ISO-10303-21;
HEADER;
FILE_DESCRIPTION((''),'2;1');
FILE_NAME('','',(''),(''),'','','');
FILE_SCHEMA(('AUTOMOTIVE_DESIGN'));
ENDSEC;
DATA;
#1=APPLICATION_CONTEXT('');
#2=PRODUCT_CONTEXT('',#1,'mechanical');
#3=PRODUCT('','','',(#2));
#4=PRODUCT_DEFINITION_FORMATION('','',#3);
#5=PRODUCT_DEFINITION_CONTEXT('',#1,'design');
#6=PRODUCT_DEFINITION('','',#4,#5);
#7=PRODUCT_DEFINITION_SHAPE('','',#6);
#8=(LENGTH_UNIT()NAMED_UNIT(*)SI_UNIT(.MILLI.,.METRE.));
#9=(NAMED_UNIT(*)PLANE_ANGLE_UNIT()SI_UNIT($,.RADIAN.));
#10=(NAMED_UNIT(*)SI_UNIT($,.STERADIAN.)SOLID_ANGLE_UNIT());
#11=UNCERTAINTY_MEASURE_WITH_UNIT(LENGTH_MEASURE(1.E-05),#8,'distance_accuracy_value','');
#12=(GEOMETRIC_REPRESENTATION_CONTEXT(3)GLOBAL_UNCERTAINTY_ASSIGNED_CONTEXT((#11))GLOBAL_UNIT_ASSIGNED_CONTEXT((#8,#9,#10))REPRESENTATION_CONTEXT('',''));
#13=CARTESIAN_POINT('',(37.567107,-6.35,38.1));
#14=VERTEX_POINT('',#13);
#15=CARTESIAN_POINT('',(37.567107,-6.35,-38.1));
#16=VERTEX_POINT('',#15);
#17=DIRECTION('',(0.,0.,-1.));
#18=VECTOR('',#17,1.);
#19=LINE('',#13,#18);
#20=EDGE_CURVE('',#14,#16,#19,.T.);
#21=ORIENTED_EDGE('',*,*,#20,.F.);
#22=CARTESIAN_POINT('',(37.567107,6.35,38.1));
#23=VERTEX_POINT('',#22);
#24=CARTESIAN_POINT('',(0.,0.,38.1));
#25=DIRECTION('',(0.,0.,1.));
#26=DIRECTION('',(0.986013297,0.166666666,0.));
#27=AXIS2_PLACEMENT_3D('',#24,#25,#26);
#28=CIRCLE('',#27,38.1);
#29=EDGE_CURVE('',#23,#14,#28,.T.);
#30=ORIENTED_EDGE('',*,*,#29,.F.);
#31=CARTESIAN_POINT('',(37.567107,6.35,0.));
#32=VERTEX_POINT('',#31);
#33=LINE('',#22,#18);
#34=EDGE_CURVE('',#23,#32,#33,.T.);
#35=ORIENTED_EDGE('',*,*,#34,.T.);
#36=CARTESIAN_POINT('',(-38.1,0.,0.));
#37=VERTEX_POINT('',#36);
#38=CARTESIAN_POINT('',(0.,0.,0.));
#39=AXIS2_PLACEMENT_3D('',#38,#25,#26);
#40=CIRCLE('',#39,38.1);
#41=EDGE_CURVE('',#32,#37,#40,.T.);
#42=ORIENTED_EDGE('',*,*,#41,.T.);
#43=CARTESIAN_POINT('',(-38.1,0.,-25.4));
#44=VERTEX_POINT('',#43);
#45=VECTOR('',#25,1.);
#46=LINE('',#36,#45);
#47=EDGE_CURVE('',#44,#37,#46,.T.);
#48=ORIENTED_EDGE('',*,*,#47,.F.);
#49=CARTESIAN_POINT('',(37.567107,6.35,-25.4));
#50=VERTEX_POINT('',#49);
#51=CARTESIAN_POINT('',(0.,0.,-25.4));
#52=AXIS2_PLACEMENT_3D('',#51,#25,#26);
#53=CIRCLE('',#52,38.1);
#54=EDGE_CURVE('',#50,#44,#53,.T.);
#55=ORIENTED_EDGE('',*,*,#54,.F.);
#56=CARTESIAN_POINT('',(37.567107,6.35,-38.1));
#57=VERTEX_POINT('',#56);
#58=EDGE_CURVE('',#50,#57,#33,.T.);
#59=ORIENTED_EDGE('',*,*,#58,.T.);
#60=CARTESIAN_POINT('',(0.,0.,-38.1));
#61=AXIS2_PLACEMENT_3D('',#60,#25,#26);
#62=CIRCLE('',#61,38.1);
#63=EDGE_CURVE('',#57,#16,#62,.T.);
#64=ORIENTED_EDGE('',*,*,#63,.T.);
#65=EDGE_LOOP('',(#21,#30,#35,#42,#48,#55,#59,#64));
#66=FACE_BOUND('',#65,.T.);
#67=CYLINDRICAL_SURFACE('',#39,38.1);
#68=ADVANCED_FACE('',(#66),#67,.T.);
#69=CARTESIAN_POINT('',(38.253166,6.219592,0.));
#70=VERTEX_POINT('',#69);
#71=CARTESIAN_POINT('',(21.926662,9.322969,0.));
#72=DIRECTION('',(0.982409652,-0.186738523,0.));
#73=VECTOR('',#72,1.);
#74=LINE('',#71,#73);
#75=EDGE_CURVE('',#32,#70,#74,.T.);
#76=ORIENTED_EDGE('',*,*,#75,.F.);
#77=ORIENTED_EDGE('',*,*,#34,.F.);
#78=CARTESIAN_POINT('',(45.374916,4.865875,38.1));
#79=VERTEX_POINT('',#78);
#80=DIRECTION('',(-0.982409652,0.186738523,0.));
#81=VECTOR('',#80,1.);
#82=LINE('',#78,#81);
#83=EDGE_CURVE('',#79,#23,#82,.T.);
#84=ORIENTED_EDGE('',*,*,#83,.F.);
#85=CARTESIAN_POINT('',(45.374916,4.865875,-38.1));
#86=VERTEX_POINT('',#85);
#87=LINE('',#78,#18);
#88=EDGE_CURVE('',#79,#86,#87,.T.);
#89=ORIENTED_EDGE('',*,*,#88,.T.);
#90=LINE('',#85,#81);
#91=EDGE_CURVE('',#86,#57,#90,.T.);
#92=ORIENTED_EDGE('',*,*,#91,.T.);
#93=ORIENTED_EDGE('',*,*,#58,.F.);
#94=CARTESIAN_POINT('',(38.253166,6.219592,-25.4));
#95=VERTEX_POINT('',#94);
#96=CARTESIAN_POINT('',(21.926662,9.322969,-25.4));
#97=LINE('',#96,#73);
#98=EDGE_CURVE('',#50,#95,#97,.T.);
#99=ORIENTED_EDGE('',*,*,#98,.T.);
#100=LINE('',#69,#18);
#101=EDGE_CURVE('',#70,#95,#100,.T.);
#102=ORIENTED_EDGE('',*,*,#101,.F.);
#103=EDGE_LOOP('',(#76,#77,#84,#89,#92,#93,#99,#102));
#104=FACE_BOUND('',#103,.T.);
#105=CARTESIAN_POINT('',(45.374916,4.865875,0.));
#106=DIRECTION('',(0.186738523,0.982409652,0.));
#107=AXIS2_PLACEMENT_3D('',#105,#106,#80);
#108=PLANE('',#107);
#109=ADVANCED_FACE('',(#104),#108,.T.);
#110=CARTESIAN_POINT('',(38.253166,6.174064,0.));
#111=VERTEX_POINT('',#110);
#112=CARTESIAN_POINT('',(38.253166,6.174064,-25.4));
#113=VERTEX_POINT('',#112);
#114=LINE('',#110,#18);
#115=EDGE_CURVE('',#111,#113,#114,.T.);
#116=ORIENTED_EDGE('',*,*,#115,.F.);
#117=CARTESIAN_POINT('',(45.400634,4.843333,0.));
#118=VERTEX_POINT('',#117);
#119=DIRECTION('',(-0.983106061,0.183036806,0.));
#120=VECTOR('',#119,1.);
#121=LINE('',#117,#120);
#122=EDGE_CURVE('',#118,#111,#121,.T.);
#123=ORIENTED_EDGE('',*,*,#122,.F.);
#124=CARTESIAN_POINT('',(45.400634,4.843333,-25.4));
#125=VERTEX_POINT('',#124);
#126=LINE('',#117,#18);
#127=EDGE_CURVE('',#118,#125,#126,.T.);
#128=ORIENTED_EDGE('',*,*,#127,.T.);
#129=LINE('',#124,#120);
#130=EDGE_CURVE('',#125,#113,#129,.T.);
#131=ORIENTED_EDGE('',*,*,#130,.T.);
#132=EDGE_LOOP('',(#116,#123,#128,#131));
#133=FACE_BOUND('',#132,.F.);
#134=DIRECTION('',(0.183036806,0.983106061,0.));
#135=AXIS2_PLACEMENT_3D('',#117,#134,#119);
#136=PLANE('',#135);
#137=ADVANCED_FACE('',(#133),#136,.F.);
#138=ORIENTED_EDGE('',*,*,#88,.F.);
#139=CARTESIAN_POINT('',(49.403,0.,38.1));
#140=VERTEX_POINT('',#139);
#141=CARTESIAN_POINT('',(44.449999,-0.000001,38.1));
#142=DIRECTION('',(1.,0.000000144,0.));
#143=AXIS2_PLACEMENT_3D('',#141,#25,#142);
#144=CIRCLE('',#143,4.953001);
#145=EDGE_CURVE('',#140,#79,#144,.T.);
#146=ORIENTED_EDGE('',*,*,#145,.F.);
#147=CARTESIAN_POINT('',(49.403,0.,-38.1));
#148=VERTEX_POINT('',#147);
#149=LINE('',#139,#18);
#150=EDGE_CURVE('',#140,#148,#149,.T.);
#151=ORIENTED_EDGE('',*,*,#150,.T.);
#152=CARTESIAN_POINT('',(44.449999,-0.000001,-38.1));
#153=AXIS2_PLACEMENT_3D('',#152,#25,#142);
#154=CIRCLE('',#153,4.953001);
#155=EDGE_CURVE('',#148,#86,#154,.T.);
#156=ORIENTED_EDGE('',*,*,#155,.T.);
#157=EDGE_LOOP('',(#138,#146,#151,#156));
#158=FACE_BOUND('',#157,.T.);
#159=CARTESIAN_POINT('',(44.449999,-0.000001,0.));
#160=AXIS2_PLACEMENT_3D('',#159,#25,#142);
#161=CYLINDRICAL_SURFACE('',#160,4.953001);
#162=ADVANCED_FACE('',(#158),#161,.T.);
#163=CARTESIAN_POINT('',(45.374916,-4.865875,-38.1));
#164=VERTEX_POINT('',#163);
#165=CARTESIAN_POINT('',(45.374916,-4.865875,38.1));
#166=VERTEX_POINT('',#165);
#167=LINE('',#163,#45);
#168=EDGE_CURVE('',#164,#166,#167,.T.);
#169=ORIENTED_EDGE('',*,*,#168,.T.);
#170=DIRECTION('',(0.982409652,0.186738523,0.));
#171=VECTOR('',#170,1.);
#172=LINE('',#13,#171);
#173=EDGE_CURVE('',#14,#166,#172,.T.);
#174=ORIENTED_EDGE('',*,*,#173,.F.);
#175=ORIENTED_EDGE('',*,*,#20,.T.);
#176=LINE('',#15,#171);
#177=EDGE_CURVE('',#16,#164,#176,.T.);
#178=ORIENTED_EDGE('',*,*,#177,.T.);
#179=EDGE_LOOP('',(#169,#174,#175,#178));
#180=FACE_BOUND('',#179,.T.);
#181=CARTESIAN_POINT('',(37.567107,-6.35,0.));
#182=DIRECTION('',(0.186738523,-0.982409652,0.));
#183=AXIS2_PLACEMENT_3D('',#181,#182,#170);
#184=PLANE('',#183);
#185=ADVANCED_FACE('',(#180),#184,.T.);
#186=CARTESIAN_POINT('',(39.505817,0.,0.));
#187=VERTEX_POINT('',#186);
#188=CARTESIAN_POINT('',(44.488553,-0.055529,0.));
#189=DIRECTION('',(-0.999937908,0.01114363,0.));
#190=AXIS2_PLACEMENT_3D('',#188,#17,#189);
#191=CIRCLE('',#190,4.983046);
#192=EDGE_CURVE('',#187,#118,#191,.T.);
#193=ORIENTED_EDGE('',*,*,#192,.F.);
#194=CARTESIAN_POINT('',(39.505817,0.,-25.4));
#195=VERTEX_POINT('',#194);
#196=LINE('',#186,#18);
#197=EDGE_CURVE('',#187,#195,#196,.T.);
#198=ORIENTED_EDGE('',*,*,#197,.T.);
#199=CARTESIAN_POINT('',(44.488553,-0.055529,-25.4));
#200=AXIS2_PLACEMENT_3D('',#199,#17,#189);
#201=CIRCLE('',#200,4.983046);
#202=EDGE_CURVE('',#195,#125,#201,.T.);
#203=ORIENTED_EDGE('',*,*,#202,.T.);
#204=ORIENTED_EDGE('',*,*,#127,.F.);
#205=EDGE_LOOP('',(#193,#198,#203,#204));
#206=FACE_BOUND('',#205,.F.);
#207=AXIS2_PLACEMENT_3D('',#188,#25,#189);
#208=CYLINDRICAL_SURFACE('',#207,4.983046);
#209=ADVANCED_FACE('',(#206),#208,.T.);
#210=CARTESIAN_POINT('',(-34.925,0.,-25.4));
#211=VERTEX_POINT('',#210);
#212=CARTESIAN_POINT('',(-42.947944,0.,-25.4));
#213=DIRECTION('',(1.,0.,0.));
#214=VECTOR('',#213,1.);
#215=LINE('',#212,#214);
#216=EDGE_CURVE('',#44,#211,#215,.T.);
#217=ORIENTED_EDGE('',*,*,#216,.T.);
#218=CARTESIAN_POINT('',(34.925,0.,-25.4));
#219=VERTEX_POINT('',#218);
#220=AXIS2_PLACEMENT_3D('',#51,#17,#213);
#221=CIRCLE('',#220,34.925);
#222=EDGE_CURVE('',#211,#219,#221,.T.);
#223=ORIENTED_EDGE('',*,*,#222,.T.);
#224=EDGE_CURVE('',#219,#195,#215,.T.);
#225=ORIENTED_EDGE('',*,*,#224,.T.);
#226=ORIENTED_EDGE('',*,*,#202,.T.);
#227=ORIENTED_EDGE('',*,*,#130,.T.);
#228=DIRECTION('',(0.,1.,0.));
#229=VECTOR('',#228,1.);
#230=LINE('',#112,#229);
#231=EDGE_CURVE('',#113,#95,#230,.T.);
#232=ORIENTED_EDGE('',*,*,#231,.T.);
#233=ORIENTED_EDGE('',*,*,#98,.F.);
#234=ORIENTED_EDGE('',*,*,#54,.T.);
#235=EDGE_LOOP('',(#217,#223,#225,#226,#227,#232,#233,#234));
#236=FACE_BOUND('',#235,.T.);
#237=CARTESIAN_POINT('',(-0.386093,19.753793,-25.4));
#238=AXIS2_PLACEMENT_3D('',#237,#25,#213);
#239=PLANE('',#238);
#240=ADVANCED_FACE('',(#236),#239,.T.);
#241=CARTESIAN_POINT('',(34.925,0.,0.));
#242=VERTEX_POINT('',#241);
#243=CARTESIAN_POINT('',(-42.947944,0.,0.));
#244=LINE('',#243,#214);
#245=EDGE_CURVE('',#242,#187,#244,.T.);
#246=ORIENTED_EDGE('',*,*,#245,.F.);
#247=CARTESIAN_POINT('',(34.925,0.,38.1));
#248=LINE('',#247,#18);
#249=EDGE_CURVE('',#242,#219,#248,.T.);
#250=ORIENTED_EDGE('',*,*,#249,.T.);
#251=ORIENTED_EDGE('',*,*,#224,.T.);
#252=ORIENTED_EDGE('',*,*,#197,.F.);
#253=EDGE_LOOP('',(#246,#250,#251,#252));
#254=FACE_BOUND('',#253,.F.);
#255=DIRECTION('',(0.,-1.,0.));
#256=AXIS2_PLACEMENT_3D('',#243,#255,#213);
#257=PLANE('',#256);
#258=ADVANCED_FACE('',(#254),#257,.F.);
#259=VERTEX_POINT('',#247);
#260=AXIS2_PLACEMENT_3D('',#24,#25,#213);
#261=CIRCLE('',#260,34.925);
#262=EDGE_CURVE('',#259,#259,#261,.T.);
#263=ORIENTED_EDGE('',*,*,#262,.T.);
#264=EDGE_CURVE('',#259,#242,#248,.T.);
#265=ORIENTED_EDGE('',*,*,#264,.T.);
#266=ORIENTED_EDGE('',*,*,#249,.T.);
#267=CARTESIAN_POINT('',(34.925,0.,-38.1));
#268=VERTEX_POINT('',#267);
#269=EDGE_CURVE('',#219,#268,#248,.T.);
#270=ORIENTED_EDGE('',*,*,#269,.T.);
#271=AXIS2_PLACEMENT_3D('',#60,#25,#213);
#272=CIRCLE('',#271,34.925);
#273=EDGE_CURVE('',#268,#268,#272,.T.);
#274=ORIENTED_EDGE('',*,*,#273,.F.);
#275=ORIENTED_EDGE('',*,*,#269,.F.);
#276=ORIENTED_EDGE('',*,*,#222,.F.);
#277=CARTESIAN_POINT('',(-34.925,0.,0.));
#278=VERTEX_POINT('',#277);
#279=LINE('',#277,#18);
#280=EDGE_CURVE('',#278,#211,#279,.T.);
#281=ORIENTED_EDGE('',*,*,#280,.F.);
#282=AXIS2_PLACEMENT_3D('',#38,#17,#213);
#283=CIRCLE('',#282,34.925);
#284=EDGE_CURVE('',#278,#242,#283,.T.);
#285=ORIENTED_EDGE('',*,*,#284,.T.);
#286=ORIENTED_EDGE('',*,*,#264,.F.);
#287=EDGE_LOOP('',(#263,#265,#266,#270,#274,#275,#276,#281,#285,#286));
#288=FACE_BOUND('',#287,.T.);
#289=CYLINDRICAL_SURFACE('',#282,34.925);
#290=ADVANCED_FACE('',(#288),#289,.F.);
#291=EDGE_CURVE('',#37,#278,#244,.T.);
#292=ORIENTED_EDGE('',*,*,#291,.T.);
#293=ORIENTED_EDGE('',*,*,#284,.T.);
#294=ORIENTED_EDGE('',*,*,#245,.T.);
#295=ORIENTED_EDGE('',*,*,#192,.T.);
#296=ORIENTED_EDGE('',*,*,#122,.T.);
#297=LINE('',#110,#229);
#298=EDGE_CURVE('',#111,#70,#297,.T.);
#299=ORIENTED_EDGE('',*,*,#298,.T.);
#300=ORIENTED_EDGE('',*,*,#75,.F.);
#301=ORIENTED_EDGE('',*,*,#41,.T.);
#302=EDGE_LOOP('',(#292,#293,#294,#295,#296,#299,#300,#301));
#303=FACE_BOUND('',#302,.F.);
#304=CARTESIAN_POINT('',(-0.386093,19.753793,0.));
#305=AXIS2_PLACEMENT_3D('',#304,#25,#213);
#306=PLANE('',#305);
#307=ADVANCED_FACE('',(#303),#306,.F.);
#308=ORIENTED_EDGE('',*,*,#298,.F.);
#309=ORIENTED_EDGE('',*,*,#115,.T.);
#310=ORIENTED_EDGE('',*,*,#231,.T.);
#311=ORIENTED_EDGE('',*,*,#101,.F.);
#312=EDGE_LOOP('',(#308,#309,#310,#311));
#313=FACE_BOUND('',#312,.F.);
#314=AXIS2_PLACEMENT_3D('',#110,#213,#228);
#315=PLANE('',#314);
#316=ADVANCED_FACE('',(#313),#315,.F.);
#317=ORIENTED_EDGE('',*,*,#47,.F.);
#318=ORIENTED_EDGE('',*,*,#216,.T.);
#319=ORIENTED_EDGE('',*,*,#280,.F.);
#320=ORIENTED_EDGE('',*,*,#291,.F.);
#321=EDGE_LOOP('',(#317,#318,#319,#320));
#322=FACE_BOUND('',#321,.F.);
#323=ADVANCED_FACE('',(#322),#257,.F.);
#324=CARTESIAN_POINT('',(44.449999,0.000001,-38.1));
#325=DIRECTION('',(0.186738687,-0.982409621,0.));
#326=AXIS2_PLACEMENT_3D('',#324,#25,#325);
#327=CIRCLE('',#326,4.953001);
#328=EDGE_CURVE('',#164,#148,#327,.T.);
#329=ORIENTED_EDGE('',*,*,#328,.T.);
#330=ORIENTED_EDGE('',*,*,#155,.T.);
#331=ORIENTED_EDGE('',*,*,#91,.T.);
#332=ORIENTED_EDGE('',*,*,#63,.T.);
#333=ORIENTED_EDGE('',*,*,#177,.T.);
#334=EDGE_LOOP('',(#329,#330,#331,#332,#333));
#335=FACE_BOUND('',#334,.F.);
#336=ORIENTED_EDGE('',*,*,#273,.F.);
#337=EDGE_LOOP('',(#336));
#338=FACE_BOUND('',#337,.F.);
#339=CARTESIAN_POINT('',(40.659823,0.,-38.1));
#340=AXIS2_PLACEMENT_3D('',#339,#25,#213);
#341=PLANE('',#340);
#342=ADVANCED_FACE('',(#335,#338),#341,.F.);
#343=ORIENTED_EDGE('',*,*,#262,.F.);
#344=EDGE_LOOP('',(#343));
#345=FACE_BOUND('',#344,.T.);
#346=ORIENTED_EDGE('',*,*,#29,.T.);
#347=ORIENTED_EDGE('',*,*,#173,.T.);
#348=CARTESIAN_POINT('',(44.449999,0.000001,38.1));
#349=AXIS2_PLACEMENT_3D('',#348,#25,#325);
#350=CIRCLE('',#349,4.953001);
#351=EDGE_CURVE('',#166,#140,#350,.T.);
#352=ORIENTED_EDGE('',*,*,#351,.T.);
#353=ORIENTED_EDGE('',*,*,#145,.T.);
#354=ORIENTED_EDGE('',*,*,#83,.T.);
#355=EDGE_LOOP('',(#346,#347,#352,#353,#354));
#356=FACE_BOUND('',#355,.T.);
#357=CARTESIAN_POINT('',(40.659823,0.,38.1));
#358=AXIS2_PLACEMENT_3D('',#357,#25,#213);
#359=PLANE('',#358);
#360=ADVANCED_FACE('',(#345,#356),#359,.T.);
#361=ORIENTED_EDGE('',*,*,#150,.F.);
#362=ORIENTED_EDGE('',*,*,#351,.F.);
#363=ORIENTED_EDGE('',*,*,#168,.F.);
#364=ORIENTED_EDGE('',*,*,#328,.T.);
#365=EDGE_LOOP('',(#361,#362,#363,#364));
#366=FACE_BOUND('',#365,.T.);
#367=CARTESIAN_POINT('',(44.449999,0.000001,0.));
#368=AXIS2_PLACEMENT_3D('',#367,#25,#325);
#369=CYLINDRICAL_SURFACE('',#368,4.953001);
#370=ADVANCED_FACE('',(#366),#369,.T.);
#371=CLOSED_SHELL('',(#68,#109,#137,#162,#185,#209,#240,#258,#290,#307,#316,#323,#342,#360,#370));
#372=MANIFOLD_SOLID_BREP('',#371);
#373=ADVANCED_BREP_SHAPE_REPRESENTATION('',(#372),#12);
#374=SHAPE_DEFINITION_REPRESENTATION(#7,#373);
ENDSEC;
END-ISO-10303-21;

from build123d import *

# Parameters (mm, degrees)
F0_R     = 34.925
F1_DEPTH = 38.1
F2_DEPTH = 38.1
F4_DEPTH = 25.4


with BuildPart() as f1:
    # F0 (on Top) → F1 (new body, symmetric)
    with BuildSketch(Plane.XY):
        with BuildLine():
            ThreePointArc((37.567107, -6.35), (37.966543, -3.186161), (38.1, 0))
            ThreePointArc((38.1, 0), (37.966543, 3.186161), (37.567107, 6.35))
            ThreePointArc((37.567107, 6.35), (-38.1, 0), (37.567107, -6.35))
        make_face()
        Circle(F0_R, mode=Mode.SUBTRACT)
    extrude(amount=F1_DEPTH, both=True)

    # F0 (on Top) → F2 (join, symmetric)
    with BuildSketch(Plane.XY):
        with BuildLine():
            ThreePointArc((37.567107, 6.35), (37.966543, 3.186161), (38.1, 0))
            ThreePointArc((38.1, 0), (37.966543, -3.186161), (37.567107, -6.35))
            Line((37.567107, -6.35), (45.374916, -4.865875))
            ThreePointArc((45.374916, -4.865875), (39.497, 0), (45.374916, 4.865875))
            Line((45.374916, 4.865875), (37.567107, 6.35))
        make_face()
        with BuildLine():
            ThreePointArc((49.403, 0), (48.265319, 3.158409), (45.374916, 4.865875))
            ThreePointArc((45.374916, 4.865875), (39.497, 0), (45.374916, -4.865875))
            ThreePointArc((45.374916, -4.865875), (48.265319, -3.158409), (49.403, 0))
        make_face()
    extrude(amount=F2_DEPTH, both=True)

    # F3 (on Top) → F4 (cut)
    with BuildSketch(Plane.XY):
        with BuildLine():
            Line((-42.947944, 0), (39.505817, 0))
            ThreePointArc((39.505817, 0), (41.325165, 3.794629), (45.400634, 4.843333))
            Line((45.400634, 4.843333), (38.253166, 6.174064))
            Line((38.253166, 6.174064), (38.253166, 40.875405))
            Line((38.253166, 40.875405), (-42.947944, 40.875405))
            Line((-42.947944, 40.875405), (-42.947944, 0))
        make_face()
    extrude(amount=-F4_DEPTH, mode=Mode.SUBTRACT)


solid = f1.part
